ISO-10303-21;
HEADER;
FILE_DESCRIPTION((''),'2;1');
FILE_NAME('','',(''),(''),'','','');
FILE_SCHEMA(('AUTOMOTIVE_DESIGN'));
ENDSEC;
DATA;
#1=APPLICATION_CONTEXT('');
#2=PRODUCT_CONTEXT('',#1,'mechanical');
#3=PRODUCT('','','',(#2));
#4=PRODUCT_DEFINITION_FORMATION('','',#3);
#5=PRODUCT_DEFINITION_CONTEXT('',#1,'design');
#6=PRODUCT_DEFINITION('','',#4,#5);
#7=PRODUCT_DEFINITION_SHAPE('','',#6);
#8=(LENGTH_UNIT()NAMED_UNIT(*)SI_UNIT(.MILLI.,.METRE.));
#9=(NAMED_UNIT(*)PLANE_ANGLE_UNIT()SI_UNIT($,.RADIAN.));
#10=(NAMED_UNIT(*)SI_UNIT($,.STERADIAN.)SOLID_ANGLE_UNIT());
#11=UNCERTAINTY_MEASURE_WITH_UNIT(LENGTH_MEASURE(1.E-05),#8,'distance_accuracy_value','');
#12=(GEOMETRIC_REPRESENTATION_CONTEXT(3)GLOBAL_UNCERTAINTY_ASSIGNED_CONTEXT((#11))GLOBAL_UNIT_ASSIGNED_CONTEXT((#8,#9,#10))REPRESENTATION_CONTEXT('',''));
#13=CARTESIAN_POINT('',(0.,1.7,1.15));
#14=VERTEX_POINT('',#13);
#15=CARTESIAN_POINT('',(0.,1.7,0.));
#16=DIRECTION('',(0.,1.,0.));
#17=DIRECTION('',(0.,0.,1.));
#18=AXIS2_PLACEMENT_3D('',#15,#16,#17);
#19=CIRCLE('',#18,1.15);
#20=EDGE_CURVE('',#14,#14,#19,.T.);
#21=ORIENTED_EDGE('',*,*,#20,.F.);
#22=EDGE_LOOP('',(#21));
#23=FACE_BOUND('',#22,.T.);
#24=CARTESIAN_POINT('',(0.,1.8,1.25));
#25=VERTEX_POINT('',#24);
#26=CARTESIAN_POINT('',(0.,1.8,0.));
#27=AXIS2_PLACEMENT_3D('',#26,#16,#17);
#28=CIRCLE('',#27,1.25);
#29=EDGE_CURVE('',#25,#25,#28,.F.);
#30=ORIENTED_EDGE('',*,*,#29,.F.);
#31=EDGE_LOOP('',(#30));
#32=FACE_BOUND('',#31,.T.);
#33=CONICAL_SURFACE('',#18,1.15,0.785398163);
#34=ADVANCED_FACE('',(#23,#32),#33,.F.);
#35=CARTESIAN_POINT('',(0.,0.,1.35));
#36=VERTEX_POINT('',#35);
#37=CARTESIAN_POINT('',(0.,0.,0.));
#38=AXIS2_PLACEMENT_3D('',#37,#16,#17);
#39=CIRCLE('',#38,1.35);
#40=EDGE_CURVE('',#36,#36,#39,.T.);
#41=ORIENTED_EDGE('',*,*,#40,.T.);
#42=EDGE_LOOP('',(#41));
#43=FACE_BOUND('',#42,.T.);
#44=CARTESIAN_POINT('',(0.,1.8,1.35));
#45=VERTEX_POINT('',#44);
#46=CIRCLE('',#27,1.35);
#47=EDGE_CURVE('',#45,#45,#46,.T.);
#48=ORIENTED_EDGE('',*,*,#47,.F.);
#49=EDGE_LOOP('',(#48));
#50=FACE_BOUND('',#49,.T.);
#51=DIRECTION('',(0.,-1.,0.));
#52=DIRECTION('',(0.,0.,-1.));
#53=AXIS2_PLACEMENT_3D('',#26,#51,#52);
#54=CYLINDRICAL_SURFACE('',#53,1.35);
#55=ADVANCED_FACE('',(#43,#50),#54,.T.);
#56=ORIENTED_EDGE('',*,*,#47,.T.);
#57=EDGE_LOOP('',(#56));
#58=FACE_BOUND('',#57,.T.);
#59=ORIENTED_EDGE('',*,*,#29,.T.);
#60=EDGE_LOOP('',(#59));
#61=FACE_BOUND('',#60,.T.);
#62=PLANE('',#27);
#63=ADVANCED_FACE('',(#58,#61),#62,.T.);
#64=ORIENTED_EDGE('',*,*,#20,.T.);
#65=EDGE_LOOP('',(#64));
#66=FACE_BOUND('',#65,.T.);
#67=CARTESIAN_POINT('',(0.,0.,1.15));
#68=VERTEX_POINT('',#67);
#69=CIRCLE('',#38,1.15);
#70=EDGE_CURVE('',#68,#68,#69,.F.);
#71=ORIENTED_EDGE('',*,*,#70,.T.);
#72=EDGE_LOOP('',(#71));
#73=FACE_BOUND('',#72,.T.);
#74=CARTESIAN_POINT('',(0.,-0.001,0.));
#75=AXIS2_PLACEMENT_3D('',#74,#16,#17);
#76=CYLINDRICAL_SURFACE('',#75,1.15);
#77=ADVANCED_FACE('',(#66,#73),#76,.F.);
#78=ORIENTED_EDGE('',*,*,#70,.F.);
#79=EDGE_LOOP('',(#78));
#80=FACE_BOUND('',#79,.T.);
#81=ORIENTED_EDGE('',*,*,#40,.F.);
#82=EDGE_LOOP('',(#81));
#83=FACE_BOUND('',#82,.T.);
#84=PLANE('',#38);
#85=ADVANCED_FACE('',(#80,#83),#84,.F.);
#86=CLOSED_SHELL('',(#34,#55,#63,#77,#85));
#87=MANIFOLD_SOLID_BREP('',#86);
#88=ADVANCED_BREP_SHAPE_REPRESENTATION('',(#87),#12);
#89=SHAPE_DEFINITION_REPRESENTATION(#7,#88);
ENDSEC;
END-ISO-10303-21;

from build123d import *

# Parameters (mm, degrees)
SKETCH1_R           = 1.35
BOSS_EXTRUDE1_DEPTH = 1.8
CUT_EXTRUDE1_REACH  = 3.8
SKETCH2_R           = 1.15
CHAMFER1_SIZE       = 0.1


with BuildPart() as part:
    # Sketch1 → Boss-Extrude1 (new body)
    with BuildSketch(Plane(origin=(0, 0, 0), x_dir=(1, 0, 0), z_dir=(0, 1, 0))):
        Circle(SKETCH1_R)
    extrude(amount=BOSS_EXTRUDE1_DEPTH)

    # Sketch2 → Cut-Extrude1 (cut, up to next)
    with BuildSketch(Plane(origin=(0, 1.8, 0), x_dir=(1, 0, 0), z_dir=(0, 1, 0)), mode=Mode.PRIVATE) as cut_extrude1_sk1:
        Circle(SKETCH2_R)
    cut_extrude1_tool1 = extrude(cut_extrude1_sk1.sketch, amount=-CUT_EXTRUDE1_REACH, mode=Mode.PRIVATE) & part.part
    add(cut_extrude1_tool1.solids().sort_by_distance((0, 1.8, 0))[0], mode=Mode.SUBTRACT)

    # Chamfer1
    chamfer1_edges = [part.edges().sort_by_distance(p)[0] for p in [
        (-1.15, 1.8, 0),
    ]]
    chamfer(chamfer1_edges, length=CHAMFER1_SIZE)


solid = part.part
